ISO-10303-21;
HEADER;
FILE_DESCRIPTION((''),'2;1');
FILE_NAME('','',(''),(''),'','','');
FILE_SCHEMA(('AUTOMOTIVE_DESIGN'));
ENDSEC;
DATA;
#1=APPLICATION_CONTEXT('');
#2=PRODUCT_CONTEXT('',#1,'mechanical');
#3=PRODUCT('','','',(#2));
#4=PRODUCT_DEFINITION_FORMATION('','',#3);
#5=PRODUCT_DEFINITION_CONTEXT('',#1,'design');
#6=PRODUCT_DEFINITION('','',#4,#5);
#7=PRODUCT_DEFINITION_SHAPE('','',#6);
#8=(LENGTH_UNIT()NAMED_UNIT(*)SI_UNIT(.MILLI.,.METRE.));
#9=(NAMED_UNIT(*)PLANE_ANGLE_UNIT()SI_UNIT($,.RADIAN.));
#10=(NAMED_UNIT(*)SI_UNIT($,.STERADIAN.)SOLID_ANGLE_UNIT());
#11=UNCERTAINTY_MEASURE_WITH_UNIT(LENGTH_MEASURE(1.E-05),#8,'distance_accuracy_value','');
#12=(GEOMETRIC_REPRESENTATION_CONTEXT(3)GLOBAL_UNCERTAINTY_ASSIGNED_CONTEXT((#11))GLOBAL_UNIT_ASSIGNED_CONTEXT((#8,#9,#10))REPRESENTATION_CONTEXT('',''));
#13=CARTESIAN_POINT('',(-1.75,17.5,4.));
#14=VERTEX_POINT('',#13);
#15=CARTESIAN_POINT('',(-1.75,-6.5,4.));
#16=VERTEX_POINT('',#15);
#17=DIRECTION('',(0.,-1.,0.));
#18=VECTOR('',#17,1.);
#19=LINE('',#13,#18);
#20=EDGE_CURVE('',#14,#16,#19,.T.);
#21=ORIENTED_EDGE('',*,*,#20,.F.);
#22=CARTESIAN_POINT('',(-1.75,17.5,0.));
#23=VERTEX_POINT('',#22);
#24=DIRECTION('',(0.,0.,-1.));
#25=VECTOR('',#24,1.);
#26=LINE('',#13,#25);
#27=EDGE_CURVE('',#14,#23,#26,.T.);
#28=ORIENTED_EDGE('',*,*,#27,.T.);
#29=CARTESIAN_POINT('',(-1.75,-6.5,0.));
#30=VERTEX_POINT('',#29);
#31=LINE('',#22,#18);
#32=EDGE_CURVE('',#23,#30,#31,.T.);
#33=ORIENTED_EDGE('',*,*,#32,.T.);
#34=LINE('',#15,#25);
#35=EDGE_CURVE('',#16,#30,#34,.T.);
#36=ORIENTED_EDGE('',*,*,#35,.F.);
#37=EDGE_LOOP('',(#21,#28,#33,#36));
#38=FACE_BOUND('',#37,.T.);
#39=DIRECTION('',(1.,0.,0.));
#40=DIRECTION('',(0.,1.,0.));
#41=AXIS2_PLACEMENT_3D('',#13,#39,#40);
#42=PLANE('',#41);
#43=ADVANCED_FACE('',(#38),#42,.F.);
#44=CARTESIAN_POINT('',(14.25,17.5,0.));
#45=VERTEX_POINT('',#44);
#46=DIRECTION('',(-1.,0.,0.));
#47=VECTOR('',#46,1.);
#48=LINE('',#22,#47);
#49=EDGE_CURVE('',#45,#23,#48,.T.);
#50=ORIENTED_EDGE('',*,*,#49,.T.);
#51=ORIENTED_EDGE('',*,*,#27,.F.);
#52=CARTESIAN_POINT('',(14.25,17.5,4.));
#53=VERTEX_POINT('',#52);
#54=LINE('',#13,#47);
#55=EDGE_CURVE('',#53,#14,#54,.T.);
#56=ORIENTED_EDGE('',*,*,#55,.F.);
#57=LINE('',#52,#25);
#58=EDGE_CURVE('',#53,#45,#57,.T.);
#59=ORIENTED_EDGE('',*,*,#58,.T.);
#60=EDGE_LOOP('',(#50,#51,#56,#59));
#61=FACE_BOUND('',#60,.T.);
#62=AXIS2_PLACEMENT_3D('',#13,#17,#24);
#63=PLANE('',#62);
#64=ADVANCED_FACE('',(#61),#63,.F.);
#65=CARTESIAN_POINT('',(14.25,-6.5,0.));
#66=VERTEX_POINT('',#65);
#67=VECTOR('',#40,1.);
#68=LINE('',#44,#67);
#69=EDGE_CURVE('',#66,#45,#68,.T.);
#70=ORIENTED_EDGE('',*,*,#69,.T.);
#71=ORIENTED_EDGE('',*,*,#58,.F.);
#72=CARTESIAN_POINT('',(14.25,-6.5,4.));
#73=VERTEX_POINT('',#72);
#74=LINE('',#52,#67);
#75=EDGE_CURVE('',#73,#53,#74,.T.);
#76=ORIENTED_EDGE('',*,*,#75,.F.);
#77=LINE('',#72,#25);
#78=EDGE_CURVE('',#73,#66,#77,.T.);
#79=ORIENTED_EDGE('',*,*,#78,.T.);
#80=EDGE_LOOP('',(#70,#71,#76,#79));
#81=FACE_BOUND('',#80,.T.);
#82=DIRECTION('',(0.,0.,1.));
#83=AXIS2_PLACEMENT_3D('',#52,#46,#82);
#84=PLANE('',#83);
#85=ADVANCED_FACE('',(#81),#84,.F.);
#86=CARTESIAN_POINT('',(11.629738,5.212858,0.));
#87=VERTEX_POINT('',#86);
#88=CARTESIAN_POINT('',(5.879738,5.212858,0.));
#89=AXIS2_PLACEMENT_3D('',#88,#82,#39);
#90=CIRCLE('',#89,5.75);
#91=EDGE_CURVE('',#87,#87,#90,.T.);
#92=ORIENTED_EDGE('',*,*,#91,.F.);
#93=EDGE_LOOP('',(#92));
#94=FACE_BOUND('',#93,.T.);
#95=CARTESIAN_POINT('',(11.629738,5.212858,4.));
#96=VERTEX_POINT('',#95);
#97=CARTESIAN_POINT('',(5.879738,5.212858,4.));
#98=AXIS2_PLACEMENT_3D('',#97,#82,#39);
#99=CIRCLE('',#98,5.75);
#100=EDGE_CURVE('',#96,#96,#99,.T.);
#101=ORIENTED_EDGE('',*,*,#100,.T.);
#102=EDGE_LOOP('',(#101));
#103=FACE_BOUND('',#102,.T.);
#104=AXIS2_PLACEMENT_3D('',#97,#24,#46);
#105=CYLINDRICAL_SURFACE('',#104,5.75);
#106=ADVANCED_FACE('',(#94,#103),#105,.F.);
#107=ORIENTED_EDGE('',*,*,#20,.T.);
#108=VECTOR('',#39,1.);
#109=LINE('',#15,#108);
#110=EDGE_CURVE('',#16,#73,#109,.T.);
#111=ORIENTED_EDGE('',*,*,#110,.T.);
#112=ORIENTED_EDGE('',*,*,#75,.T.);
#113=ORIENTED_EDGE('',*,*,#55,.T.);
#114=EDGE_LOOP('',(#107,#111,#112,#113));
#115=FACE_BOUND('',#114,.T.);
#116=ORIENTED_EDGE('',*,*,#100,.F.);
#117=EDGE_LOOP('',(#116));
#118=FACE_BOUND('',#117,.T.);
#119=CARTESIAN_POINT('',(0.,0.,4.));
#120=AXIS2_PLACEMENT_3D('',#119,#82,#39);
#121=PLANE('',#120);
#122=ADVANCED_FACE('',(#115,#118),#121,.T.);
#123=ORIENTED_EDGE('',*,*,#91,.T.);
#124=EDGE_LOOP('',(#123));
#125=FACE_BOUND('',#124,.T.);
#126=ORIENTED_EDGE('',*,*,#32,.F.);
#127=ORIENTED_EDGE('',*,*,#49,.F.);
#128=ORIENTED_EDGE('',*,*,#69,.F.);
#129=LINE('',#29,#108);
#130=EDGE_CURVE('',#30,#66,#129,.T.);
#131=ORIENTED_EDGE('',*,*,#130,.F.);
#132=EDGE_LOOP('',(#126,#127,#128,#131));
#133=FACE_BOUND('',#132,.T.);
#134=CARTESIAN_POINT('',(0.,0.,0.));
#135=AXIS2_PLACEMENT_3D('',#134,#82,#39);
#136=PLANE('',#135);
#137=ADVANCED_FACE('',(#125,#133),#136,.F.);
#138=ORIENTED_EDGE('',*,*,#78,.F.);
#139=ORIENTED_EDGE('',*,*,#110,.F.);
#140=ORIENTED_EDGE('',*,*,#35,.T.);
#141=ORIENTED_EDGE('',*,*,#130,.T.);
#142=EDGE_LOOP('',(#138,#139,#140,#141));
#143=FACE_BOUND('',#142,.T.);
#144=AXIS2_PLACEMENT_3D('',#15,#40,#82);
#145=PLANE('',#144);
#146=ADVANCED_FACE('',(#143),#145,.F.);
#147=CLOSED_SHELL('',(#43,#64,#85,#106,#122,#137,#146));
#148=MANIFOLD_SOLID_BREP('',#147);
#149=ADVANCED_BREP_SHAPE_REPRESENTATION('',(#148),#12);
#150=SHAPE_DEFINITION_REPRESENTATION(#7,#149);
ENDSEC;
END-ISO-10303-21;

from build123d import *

# Parameters (mm, degrees)
SKETCH1_W           = 16
SKETCH1_H           = 24
SKETCH1_R           = 5.75
BOSS_EXTRUDE1_DEPTH = 4


with BuildPart() as part:
    # Sketch1 → Boss-Extrude1 (new body)
    with BuildSketch(Plane.XY):
        with Locations((6.25, 5.5)):
            Rectangle(SKETCH1_W, SKETCH1_H)
        with Locations((5.879737544, 5.212858194)):
            Circle(SKETCH1_R, mode=Mode.SUBTRACT)
    extrude(amount=BOSS_EXTRUDE1_DEPTH)


solid = part.part
